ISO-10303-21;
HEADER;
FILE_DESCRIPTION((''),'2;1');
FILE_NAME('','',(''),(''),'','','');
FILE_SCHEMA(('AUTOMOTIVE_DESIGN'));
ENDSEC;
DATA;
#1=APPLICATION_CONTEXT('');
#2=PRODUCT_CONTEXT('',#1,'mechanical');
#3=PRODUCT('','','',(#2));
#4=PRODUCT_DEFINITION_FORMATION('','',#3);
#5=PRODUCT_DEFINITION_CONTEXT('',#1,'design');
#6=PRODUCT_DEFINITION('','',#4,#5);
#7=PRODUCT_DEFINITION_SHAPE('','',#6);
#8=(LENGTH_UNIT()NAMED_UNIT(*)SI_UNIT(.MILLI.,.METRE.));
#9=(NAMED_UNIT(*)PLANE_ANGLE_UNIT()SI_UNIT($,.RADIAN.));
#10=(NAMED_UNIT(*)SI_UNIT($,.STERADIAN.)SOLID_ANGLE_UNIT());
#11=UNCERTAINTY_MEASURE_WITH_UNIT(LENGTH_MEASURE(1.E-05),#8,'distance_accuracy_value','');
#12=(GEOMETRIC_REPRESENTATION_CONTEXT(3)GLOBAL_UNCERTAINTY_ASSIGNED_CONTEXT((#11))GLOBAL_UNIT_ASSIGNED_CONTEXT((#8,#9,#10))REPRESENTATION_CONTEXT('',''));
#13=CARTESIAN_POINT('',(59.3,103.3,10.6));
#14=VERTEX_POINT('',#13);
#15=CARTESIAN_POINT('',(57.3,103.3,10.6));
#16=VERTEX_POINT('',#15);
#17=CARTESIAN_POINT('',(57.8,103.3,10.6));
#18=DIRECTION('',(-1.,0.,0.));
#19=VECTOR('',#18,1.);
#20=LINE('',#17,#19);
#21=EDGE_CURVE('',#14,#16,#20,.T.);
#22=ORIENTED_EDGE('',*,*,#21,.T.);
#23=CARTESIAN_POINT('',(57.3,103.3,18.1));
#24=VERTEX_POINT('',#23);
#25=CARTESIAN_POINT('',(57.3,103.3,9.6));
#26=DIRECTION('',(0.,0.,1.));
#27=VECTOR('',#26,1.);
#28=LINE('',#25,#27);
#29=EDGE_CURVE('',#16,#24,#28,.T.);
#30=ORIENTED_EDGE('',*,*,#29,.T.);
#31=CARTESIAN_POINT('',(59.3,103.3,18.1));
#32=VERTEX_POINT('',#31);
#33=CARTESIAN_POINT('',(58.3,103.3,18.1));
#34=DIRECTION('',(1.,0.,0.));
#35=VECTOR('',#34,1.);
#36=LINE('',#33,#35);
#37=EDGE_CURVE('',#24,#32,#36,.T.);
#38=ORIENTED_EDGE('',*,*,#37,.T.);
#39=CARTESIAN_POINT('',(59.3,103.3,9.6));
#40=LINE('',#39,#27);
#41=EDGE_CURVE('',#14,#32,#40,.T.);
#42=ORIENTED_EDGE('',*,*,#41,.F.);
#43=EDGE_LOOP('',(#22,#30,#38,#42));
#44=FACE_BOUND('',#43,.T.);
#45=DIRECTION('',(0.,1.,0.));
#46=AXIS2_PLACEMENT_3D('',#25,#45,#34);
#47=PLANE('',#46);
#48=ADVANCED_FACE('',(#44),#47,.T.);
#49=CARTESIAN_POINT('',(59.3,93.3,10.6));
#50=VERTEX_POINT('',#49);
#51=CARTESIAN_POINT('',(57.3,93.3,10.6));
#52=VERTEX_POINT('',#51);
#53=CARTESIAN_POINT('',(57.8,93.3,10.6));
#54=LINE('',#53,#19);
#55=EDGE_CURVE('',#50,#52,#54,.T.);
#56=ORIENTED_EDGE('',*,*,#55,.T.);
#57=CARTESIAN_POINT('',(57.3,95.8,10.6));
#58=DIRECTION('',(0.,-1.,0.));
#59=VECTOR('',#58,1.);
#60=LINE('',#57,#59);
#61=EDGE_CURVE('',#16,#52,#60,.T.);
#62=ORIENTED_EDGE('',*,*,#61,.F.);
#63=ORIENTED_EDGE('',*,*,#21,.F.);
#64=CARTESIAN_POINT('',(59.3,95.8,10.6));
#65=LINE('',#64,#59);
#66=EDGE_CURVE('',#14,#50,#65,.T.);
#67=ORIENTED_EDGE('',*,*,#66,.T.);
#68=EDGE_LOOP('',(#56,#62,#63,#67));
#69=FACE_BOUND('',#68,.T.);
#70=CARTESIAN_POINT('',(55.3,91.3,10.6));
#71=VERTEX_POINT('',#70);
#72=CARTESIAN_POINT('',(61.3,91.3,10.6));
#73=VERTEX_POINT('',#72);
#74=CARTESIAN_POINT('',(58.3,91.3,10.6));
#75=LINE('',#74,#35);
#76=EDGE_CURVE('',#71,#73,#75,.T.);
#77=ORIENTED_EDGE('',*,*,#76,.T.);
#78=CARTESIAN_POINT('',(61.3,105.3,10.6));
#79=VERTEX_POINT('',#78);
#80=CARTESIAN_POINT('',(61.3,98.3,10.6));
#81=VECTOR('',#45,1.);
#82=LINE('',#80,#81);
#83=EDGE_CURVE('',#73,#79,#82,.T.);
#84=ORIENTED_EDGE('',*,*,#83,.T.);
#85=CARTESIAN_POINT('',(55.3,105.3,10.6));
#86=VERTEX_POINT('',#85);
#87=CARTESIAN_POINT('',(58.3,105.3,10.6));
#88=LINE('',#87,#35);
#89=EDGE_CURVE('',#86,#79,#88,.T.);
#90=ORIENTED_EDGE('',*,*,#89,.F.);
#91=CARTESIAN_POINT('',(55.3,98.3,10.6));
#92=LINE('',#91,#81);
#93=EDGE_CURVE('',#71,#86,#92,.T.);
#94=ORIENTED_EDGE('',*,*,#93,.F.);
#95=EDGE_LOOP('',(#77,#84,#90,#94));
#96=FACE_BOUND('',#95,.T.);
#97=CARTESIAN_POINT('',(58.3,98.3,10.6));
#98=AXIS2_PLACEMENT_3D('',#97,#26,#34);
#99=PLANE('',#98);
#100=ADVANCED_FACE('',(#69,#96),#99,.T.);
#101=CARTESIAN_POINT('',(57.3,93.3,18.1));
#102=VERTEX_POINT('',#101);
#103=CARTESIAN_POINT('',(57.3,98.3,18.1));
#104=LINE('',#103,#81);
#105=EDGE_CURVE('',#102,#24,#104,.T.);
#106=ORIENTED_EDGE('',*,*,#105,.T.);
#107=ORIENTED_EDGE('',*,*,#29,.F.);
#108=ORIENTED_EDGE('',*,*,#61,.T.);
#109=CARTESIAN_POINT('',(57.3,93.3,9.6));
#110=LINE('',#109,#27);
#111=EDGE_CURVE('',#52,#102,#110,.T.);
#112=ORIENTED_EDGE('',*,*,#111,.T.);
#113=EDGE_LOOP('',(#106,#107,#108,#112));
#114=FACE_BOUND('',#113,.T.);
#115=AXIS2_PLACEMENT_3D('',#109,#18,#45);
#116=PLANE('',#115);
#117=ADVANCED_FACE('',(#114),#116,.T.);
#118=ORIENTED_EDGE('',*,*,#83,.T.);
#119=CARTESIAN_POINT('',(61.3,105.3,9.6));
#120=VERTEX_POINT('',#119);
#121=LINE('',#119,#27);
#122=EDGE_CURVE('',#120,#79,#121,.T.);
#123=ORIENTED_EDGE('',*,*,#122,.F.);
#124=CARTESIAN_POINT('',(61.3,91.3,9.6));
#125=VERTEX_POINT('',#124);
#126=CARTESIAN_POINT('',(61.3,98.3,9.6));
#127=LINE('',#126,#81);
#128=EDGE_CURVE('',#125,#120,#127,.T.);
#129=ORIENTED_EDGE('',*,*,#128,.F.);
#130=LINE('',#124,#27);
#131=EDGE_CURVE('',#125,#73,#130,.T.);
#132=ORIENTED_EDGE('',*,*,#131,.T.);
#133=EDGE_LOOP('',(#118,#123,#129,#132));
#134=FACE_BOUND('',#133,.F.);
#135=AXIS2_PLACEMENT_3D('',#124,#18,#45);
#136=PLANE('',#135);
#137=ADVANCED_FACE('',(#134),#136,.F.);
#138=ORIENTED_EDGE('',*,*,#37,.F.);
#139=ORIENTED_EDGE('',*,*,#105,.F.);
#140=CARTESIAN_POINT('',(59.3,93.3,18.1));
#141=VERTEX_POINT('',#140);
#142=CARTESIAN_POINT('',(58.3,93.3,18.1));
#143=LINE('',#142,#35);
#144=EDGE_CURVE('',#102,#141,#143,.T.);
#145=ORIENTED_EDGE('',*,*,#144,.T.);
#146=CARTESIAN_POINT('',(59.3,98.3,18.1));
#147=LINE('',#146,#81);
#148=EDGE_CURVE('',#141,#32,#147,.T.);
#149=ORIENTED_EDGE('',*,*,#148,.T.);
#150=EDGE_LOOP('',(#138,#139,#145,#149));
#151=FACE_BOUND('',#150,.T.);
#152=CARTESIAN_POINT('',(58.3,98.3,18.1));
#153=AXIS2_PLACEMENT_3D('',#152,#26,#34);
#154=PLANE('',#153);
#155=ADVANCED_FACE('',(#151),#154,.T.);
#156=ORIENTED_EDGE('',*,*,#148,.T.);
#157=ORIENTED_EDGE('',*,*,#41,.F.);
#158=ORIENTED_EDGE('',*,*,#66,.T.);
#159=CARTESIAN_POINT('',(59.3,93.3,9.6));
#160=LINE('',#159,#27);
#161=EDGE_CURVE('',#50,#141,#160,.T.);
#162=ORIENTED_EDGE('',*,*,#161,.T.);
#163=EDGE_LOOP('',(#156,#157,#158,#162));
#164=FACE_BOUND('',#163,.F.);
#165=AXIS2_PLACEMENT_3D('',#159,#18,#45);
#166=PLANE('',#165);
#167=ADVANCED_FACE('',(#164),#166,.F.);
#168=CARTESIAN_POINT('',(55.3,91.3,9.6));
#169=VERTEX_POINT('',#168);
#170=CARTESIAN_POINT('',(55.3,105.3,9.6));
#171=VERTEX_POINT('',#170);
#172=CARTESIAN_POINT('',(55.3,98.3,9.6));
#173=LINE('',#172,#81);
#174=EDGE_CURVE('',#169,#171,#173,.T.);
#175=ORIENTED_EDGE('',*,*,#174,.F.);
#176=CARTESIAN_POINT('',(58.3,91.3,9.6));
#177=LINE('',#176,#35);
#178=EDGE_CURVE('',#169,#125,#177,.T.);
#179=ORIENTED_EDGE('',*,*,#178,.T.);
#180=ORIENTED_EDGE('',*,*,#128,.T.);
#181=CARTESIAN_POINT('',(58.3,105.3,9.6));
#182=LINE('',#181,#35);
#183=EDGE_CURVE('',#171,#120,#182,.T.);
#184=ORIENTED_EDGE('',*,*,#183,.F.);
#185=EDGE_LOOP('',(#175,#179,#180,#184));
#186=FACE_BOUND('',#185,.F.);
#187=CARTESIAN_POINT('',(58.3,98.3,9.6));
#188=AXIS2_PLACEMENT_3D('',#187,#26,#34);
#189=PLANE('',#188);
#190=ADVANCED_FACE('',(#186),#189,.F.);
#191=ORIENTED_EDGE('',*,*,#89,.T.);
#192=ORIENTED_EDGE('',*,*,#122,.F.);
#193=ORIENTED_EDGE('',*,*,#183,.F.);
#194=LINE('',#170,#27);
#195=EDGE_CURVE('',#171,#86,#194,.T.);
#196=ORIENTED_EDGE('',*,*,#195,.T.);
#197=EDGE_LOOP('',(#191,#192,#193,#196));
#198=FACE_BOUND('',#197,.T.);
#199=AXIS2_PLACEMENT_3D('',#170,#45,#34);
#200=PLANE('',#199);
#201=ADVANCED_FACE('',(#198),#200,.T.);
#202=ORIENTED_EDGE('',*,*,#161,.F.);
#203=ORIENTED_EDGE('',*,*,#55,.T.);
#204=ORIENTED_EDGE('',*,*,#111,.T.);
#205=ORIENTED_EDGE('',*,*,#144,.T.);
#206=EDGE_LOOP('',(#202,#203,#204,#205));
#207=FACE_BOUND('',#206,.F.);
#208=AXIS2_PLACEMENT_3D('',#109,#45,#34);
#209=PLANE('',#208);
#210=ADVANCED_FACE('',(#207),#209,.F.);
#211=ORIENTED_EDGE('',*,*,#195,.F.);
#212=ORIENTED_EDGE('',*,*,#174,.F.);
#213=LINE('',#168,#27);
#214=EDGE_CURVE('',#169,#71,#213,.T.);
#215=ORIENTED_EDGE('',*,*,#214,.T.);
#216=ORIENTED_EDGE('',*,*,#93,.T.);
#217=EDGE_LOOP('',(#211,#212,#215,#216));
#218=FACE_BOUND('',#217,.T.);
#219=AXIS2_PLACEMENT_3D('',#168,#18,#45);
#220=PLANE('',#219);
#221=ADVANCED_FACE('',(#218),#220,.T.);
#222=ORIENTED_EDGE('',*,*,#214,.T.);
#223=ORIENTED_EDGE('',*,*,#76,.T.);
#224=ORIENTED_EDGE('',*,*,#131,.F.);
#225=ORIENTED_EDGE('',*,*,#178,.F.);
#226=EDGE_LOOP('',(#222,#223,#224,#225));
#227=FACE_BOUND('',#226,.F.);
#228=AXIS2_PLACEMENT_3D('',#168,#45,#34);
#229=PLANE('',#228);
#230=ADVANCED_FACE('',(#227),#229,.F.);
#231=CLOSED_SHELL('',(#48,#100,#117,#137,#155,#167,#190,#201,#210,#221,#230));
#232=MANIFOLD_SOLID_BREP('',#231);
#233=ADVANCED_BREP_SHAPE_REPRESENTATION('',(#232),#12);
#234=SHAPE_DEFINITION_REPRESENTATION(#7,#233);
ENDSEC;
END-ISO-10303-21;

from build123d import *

# Parameters (mm, degrees)
BOX023_W     = 2
BOX023_H     = 10
BOX023_DEPTH = 8.5
BOX025_W     = 6
BOX025_H     = 14
BOX025_DEPTH = 1


with BuildPart() as control_button_rec_c:
    # Box023 → Box023 (new body)
    with BuildSketch(Plane(origin=(57.3, 93.3, 9.6), x_dir=(1, 0, 0), z_dir=(0, 0, 1))):
        with Locations((1, 5)):
            Rectangle(BOX023_W, BOX023_H)
    extrude(amount=BOX023_DEPTH)


with BuildPart() as control_button_rec:
    # Box025 → Box025 (new body)
    with BuildSketch(Plane(origin=(55.3, 91.3, 9.6), x_dir=(1, 0, 0), z_dir=(0, 0, 1))):
        with Locations((3, 7)):
            Rectangle(BOX025_W, BOX025_H)
    extrude(amount=BOX025_DEPTH)

    # Fusion036: union control_button_rec_c
    add(control_button_rec_c.part)


solid = control_button_rec.part
